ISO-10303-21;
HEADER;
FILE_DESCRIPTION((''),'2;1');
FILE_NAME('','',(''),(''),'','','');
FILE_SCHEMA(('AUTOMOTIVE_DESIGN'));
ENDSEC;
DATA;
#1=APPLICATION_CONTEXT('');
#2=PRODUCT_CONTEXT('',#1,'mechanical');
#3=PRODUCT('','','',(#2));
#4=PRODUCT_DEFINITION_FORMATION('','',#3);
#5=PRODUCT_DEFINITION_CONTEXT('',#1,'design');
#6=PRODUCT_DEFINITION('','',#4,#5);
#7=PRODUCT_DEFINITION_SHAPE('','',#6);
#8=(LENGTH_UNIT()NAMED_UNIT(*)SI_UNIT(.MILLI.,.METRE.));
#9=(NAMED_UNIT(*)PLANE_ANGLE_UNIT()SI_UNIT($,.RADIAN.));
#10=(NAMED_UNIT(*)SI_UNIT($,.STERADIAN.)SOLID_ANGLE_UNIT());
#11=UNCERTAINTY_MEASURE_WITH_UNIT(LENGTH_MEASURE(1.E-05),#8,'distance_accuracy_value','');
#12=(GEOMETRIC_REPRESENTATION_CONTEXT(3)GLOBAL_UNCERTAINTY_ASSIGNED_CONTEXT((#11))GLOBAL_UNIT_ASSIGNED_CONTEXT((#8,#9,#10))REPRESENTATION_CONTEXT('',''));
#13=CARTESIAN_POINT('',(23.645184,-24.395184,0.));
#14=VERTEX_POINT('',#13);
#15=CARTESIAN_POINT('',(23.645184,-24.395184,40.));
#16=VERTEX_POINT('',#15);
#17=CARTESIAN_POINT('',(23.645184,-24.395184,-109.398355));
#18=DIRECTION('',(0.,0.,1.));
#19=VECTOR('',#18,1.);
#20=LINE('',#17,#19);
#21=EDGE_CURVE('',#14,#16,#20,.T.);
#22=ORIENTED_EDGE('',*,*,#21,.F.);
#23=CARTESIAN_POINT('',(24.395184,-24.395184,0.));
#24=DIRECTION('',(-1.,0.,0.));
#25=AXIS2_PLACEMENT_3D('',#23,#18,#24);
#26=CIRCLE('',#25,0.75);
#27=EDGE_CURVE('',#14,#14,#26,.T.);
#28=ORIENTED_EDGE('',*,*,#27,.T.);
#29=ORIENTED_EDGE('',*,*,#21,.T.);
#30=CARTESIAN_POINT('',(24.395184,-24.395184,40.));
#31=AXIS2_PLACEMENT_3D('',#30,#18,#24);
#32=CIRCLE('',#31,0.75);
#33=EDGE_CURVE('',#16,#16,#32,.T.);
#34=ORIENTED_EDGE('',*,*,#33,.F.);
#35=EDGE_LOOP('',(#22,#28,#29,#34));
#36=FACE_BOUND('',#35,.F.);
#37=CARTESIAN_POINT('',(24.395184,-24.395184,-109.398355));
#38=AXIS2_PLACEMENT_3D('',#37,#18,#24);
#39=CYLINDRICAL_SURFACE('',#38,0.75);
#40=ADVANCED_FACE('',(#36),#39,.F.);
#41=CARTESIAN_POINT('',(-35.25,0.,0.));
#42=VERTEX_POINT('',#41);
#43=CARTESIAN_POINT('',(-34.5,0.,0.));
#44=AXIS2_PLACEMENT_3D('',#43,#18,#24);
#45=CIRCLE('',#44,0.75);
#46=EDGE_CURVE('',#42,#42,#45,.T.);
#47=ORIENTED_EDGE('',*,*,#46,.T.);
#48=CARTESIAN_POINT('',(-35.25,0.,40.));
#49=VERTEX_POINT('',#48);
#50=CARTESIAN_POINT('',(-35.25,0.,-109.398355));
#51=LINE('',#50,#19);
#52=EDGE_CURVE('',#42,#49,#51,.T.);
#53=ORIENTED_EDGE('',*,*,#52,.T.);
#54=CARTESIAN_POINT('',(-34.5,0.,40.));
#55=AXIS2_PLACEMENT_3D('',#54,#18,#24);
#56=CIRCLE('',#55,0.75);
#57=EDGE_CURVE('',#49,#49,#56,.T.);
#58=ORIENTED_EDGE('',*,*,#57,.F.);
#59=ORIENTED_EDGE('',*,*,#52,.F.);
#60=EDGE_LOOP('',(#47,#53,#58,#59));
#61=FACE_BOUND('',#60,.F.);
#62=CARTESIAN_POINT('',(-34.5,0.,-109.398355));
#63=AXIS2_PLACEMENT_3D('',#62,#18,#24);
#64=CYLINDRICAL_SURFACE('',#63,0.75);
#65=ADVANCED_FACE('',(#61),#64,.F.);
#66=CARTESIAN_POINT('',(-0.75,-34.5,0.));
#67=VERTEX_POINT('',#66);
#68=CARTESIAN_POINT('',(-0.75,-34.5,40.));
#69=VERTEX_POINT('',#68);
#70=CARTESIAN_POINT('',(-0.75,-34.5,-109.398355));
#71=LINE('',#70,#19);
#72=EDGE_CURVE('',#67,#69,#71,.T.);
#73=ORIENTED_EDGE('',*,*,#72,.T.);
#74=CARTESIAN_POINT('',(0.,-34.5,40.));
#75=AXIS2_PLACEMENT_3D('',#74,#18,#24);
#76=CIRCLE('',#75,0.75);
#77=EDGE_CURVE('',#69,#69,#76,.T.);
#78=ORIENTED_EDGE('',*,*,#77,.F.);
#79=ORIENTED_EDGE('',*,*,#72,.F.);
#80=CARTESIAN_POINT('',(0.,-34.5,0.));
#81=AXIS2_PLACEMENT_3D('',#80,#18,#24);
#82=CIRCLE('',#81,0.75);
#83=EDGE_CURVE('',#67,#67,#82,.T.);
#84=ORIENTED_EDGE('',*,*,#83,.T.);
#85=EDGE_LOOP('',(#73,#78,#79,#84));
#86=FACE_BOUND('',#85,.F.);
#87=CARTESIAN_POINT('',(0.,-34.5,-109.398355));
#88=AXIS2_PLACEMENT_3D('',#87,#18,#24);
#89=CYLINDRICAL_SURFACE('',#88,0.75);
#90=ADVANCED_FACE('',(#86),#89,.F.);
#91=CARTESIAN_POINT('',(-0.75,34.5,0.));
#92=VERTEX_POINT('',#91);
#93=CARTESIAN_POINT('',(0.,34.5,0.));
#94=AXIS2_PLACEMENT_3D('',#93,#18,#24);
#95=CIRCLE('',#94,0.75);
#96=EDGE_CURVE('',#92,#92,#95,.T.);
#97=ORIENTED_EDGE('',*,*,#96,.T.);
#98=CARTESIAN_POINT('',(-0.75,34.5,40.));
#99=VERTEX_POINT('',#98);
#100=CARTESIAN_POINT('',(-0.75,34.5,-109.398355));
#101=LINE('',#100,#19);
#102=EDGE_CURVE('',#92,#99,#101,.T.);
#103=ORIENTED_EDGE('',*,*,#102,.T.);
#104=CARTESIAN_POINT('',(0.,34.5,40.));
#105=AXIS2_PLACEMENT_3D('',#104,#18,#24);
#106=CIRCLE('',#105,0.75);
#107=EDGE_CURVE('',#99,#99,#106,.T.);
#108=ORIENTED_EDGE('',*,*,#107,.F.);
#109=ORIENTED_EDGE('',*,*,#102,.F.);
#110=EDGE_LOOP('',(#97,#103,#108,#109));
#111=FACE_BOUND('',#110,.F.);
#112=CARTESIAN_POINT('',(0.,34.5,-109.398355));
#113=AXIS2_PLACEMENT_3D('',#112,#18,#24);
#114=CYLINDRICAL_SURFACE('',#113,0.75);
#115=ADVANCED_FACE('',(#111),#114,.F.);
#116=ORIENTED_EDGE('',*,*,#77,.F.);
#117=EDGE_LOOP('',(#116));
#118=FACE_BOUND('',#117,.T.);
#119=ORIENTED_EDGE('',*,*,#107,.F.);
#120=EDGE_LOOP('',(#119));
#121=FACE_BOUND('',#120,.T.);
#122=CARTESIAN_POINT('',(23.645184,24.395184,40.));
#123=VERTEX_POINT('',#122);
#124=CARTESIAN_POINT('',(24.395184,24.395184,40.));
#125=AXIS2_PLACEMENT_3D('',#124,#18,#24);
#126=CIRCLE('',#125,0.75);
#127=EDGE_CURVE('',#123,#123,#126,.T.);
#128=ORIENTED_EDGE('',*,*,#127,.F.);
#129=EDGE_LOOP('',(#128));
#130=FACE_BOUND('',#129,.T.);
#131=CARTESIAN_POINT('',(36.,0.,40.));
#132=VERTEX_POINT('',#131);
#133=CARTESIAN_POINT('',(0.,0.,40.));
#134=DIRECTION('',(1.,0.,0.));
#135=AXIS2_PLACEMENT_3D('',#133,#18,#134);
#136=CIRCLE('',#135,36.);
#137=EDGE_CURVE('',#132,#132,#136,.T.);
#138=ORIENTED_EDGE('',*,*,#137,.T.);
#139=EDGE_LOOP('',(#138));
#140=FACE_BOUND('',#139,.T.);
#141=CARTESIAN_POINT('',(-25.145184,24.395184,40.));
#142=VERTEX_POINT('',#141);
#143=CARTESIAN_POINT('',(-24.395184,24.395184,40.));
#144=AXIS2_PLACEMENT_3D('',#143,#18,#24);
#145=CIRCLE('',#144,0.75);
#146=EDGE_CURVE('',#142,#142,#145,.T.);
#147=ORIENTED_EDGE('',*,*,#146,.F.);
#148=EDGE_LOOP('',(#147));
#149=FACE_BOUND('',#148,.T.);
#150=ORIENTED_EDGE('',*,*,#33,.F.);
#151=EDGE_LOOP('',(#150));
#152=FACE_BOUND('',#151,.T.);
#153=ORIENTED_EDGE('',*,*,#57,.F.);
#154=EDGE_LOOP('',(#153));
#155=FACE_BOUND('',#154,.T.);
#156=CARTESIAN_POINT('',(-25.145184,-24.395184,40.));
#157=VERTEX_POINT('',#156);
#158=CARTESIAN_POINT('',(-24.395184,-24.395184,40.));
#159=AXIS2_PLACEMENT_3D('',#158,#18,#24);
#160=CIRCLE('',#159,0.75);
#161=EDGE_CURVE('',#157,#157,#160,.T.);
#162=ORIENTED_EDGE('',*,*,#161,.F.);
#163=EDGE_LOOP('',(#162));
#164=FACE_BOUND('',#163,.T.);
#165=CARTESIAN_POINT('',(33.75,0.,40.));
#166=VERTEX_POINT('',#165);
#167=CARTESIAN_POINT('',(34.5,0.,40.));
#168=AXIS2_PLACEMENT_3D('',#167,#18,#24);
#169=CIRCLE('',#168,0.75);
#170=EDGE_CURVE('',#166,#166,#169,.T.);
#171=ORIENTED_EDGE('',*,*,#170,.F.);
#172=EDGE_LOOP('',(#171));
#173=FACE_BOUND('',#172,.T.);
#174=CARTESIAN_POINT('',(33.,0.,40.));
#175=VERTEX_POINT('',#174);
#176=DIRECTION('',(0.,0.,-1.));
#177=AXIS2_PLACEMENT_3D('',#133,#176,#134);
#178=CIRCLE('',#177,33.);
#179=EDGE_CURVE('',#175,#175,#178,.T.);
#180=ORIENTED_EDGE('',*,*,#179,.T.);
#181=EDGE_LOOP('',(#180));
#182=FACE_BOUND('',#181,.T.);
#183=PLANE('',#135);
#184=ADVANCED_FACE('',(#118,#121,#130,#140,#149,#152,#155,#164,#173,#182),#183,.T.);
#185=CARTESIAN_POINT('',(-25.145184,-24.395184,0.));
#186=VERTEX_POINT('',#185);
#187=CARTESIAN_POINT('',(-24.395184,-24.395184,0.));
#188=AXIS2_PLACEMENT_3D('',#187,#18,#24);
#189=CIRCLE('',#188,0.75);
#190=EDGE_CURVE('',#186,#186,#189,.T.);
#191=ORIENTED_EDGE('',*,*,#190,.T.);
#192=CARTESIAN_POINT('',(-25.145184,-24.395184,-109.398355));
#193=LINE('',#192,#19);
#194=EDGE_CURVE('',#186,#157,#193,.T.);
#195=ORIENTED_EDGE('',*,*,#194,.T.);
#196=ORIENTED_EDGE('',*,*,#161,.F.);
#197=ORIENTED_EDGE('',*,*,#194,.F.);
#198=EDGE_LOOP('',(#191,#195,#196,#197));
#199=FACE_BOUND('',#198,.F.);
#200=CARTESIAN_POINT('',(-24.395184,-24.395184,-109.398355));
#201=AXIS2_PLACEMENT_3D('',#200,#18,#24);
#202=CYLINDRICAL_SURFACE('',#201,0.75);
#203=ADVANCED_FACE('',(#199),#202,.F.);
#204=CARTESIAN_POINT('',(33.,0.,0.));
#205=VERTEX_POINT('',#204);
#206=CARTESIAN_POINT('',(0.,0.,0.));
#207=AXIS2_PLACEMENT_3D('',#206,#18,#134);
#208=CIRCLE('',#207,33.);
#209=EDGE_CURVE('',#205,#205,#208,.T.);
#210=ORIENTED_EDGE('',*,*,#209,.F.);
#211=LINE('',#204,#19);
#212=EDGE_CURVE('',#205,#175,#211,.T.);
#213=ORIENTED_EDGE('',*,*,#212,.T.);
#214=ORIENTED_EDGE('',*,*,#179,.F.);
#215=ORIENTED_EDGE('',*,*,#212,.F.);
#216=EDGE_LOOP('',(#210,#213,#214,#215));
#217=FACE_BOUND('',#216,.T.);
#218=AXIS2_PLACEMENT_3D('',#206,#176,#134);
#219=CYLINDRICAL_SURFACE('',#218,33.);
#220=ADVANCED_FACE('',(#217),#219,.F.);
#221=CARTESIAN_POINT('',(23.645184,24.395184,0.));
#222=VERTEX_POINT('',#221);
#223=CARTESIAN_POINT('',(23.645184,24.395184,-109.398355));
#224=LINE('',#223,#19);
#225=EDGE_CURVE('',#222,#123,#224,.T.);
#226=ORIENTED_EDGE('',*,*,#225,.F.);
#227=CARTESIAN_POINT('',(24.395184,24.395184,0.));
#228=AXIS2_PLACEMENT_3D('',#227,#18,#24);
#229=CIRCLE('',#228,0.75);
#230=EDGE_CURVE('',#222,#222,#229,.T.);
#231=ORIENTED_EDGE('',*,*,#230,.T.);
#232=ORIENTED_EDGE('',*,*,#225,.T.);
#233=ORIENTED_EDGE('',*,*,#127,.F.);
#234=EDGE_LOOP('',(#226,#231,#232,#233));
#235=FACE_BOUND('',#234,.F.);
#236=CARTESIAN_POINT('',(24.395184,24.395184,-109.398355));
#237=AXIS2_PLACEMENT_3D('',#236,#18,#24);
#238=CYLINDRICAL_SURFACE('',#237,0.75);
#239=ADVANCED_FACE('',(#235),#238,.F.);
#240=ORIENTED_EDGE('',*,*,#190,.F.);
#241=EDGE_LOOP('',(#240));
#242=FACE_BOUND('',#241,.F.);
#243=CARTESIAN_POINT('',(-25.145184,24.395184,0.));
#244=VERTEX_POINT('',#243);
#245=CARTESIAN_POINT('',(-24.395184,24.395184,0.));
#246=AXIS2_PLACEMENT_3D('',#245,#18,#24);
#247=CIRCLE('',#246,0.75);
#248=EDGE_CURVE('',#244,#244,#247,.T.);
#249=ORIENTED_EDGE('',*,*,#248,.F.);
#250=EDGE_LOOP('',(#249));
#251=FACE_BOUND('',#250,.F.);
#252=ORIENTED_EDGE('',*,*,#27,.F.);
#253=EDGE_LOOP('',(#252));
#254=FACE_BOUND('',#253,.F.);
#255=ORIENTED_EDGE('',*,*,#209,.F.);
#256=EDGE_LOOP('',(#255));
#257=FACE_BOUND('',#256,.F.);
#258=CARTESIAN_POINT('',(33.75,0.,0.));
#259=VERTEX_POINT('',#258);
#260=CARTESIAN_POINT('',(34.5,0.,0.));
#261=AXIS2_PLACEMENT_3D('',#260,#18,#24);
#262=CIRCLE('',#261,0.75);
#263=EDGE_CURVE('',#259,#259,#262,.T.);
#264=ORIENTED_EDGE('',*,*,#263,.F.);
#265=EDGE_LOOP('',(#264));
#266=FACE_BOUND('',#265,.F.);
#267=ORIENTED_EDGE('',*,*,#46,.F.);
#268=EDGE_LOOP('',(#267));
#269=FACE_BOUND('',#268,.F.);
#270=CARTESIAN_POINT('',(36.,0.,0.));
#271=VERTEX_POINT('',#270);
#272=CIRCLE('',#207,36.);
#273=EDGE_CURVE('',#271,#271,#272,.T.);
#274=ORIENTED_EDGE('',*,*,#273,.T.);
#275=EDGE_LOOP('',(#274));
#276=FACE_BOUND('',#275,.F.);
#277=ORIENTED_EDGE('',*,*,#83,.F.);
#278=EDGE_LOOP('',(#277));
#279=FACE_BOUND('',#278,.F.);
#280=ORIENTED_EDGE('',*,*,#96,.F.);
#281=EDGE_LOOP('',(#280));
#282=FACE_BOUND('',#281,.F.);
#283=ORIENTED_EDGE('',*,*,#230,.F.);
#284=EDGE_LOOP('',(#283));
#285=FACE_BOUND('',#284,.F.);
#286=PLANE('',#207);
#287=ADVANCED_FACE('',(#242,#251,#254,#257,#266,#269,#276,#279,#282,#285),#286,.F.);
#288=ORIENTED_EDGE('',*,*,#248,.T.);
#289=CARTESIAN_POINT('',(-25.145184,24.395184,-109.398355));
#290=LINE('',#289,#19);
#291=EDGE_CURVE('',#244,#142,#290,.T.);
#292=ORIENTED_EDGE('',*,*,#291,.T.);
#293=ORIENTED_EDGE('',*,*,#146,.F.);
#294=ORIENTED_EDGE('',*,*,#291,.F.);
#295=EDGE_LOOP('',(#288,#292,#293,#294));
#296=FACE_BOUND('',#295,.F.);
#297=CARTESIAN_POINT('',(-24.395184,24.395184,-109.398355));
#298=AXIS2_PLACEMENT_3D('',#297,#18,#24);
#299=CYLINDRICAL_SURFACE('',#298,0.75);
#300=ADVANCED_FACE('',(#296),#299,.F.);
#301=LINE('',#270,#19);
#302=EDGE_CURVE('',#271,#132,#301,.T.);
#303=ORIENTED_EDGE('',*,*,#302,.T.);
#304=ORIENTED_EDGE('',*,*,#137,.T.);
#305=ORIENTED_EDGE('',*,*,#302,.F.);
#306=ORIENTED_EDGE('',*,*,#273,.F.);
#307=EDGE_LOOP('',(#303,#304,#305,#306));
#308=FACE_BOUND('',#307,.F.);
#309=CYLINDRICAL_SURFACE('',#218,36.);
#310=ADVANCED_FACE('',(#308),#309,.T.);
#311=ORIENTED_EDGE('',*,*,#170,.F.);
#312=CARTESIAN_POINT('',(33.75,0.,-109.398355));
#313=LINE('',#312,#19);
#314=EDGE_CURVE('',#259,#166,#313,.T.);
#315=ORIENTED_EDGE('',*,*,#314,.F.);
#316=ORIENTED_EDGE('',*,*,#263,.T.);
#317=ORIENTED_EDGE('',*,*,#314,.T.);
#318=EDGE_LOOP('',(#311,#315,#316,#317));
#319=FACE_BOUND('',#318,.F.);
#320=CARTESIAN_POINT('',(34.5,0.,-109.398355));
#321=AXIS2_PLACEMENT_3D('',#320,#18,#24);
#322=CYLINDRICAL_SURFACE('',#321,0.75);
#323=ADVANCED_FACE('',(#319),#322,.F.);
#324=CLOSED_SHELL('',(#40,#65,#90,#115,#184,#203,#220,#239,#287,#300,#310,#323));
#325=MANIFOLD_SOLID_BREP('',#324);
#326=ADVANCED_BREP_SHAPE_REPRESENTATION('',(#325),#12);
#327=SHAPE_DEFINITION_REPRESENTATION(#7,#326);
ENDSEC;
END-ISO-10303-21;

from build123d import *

# Parameters (mm, degrees)
F0_R     = 36
F1_DEPTH = 40
F2_R     = 33
F3_DEPTH = 40.001
F5_D     = 1.5


with BuildPart() as f1:
    # F0 (on Top) → F1 (new body)
    with BuildSketch(Plane.XY):
        Circle(F0_R)
    extrude(amount=F1_DEPTH)

    # F2 (on Top) → F3 (cut, through all)
    with BuildSketch(Plane.XY):
        Circle(F2_R)
    extrude(amount=F3_DEPTH, mode=Mode.SUBTRACT)

    # F5 (through all)
    with Locations(Plane(origin=(0, 0, 0), x_dir=(1, 0, 0), z_dir=(0, 0, -1))):
        with Locations((0, 34.5), (-24.3951839509, 24.3951839509), (-34.5, 0), (24.3951839509, 24.3951839509), (-24.3951839509, -24.3951839509), (0, -34.5), (24.3951839509, -24.3951839509), (34.5, 0)):
            Hole(F5_D / 2)


solid = f1.part
